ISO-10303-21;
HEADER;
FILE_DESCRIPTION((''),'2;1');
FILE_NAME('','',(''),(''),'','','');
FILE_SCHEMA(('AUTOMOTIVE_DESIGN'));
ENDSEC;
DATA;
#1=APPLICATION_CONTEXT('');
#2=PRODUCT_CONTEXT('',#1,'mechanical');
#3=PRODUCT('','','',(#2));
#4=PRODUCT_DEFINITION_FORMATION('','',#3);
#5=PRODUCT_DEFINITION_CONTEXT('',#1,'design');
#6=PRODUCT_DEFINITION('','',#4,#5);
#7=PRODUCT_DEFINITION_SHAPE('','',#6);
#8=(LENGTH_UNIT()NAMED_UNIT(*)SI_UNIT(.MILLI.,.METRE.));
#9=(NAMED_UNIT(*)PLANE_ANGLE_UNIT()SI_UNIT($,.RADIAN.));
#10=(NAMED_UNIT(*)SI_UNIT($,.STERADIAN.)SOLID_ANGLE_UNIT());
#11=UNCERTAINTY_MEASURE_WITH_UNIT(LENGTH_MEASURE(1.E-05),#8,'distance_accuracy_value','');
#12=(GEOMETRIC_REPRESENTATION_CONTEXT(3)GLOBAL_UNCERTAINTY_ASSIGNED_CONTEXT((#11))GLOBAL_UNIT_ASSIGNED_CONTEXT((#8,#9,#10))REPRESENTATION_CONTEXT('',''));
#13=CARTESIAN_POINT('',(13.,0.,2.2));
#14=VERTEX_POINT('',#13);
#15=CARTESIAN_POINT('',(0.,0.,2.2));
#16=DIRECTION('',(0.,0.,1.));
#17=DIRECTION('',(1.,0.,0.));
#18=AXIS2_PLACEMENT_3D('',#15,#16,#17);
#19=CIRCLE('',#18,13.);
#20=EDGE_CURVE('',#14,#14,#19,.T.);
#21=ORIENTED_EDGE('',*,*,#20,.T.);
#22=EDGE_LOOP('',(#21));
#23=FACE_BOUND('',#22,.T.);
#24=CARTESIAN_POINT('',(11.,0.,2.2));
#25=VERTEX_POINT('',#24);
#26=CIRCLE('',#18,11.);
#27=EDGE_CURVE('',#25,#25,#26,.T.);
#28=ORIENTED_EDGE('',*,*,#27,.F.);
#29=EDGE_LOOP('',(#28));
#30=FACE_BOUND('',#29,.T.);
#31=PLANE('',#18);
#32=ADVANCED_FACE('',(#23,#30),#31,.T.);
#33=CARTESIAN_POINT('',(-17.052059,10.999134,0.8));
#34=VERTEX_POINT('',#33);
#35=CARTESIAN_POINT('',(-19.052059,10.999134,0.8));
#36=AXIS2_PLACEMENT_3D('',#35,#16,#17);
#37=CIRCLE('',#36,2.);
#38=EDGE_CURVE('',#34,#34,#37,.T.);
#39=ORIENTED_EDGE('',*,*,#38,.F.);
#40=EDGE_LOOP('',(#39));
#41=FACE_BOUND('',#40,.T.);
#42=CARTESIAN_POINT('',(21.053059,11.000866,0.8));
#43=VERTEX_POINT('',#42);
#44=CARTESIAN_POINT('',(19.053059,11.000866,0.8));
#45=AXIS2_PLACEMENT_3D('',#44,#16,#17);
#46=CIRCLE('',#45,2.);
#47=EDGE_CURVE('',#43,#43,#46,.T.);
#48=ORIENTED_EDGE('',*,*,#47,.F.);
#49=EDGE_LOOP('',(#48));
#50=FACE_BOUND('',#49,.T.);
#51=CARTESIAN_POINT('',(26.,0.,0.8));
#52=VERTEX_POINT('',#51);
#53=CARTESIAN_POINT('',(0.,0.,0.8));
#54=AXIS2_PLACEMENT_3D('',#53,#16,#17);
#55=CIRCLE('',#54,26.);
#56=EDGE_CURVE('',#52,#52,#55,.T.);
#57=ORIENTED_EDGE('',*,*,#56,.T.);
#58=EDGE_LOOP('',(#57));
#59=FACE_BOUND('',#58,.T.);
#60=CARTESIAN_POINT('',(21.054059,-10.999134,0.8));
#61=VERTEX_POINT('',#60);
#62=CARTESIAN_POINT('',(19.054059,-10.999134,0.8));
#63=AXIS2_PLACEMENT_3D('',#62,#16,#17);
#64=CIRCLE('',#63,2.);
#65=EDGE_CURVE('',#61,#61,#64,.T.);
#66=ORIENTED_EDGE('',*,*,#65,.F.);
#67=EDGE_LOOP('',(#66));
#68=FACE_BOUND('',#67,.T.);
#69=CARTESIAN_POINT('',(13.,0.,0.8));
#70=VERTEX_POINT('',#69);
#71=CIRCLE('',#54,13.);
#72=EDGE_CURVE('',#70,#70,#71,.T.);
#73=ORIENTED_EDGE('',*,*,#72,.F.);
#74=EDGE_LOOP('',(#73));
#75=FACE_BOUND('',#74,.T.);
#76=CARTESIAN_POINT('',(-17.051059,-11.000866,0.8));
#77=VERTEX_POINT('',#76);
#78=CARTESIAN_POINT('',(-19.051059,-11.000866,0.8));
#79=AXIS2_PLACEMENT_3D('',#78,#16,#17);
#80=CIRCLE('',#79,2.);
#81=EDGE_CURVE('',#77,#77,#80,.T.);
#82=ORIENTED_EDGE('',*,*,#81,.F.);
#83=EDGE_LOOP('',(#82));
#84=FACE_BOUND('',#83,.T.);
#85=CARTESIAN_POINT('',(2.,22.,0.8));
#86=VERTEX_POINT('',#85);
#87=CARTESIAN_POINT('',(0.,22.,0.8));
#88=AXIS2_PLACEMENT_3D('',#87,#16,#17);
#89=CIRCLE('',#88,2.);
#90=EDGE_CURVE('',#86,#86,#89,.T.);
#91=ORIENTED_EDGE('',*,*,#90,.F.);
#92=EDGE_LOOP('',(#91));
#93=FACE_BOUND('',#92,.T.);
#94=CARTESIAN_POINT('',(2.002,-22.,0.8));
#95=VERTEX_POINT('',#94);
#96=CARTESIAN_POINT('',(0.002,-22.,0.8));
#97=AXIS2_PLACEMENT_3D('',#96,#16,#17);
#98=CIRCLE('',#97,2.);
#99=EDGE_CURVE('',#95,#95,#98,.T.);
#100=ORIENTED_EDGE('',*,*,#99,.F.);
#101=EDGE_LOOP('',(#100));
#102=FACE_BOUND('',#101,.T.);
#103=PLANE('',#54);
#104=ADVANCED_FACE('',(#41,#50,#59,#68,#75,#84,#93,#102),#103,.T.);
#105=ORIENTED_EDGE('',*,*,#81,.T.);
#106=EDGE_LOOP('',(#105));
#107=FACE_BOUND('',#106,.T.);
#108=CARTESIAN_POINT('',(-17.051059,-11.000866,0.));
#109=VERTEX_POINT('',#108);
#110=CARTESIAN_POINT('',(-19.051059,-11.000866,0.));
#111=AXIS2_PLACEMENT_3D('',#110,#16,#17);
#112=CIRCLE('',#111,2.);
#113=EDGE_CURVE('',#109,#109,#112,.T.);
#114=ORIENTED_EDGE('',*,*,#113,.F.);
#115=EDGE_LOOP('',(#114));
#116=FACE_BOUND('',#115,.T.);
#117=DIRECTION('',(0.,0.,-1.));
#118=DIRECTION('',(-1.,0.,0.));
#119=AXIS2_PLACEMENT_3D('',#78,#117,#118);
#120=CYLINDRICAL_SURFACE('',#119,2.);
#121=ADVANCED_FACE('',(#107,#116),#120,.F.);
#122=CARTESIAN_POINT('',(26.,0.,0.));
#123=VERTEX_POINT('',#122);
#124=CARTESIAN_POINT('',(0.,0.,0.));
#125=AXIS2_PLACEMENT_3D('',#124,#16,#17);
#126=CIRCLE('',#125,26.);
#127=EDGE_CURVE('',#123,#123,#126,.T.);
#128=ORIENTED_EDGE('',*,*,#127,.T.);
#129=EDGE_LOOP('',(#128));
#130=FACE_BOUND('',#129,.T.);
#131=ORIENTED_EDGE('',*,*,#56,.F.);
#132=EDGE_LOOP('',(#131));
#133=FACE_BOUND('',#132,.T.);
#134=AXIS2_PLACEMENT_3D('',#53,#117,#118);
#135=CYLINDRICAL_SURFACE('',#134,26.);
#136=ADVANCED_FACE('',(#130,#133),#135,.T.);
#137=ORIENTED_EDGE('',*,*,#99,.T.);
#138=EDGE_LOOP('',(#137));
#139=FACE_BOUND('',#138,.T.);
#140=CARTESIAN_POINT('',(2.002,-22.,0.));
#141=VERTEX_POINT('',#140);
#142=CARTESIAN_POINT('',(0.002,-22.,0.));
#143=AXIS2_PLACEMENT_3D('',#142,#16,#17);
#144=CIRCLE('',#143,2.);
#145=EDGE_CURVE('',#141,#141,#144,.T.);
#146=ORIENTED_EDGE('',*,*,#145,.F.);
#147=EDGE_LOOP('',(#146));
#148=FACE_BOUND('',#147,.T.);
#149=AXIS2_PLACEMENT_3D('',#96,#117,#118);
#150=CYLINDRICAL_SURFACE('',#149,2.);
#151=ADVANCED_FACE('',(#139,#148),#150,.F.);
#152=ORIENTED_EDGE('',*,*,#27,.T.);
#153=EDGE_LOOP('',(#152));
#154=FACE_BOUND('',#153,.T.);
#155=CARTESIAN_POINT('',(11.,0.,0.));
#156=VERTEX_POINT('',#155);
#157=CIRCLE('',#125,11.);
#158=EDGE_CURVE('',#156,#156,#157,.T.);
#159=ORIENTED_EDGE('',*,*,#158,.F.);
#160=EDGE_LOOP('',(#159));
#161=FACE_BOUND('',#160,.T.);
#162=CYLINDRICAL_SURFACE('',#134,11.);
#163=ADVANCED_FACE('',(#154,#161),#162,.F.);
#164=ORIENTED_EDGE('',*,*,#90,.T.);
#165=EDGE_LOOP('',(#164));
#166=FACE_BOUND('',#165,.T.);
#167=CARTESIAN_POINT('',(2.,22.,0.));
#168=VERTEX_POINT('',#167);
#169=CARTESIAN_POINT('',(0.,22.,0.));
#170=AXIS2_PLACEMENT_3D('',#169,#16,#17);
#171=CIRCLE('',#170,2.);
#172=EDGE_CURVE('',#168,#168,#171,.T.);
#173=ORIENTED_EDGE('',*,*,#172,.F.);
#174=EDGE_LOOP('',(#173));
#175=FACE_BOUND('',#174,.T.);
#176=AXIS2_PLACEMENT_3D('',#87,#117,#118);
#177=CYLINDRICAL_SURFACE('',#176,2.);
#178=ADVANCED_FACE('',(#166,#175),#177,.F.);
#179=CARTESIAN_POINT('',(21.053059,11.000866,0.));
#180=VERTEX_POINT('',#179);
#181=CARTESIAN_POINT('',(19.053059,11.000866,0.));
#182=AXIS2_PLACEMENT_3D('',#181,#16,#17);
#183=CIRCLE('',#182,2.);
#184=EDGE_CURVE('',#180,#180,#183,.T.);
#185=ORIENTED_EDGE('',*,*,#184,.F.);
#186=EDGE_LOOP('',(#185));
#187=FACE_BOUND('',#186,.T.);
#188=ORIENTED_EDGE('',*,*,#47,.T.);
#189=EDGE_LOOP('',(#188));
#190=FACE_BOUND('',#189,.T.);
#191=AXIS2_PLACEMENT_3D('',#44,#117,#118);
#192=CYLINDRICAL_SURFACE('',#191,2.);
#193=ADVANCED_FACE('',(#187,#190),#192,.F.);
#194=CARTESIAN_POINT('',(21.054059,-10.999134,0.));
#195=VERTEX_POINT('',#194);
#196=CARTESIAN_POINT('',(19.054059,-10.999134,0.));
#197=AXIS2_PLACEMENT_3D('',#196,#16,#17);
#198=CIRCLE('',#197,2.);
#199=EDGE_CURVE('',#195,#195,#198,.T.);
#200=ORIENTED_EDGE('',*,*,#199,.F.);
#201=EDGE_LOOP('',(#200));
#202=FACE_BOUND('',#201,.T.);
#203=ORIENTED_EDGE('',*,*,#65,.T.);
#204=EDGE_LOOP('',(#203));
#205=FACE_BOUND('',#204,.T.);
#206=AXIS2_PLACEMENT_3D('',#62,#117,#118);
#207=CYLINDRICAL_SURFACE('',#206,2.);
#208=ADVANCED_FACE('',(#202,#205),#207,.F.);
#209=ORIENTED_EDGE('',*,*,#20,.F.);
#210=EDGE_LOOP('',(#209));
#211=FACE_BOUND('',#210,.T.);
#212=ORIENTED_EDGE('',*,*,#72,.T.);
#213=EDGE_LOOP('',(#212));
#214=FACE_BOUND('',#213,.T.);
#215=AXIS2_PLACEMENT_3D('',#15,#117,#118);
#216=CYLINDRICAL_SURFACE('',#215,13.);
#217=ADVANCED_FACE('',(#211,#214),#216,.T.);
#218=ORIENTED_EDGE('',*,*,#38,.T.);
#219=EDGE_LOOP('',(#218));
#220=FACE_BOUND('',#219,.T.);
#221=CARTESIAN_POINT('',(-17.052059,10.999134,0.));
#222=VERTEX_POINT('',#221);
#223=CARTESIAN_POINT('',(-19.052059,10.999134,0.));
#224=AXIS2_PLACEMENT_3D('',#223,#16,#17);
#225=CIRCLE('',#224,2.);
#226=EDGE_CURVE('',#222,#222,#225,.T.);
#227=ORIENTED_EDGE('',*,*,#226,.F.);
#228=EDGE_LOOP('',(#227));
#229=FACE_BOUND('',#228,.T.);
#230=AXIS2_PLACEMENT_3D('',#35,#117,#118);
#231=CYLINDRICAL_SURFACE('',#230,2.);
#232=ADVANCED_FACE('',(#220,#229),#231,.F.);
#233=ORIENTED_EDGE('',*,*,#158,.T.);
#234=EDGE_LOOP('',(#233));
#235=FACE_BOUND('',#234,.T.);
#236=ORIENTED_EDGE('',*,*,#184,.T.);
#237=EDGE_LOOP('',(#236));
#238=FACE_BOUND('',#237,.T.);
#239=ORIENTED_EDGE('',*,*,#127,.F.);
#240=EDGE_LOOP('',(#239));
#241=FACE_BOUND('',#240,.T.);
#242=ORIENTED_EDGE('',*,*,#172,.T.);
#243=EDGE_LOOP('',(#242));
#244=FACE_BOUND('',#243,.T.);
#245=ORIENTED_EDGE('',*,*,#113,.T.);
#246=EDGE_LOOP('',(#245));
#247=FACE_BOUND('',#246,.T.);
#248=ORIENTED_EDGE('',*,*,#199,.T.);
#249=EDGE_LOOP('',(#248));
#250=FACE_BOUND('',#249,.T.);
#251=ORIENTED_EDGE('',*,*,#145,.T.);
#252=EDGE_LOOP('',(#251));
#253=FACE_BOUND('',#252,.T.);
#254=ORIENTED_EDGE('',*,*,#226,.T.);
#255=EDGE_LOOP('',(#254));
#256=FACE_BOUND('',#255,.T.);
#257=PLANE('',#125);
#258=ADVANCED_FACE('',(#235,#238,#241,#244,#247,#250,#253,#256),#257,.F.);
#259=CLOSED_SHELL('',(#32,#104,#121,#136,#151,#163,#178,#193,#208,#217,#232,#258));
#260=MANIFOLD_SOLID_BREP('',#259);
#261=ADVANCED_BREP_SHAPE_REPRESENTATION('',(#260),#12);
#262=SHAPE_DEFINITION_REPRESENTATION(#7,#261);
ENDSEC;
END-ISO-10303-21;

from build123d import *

# Parameters (mm, degrees)
ESQUISSE1_R        = 26
ESQUISSE1_R_2      = 2
ESQUISSE1_R_3      = 11
BOSS_EXTRU_1_DEPTH = 0.8
ESQUISSE2_R        = 13
ESQUISSE2_R_2      = 11
BOSS_EXTRU_2_DEPTH = 1.4


with BuildPart() as part:
    # Esquisse1 → Boss.-Extru.1 (new body)
    with BuildSketch(Plane.XY):
        Circle(ESQUISSE1_R)
        with Locations((0, 22)):
            Circle(ESQUISSE1_R_2, mode=Mode.SUBTRACT)
        with Locations((19.053058883, 11.000866025)):
            Circle(ESQUISSE1_R_2, mode=Mode.SUBTRACT)
        with Locations((19.054058883, -10.999133975)):
            Circle(ESQUISSE1_R_2, mode=Mode.SUBTRACT)
        with Locations((0.002, -22)):
            Circle(ESQUISSE1_R_2, mode=Mode.SUBTRACT)
        with Locations((-19.051058883, -11.000866025)):
            Circle(ESQUISSE1_R_2, mode=Mode.SUBTRACT)
        with Locations((-19.052058883, 10.999133975)):
            Circle(ESQUISSE1_R_2, mode=Mode.SUBTRACT)
        Circle(ESQUISSE1_R_3, mode=Mode.SUBTRACT)
    extrude(amount=BOSS_EXTRU_1_DEPTH)

    # Esquisse2 → Boss.-Extru.2 (add)
    with BuildSketch(Plane.XY.offset(0.8)):
        Circle(ESQUISSE2_R)
        Circle(ESQUISSE2_R_2, mode=Mode.SUBTRACT)
    extrude(amount=BOSS_EXTRU_2_DEPTH)


solid = part.part
